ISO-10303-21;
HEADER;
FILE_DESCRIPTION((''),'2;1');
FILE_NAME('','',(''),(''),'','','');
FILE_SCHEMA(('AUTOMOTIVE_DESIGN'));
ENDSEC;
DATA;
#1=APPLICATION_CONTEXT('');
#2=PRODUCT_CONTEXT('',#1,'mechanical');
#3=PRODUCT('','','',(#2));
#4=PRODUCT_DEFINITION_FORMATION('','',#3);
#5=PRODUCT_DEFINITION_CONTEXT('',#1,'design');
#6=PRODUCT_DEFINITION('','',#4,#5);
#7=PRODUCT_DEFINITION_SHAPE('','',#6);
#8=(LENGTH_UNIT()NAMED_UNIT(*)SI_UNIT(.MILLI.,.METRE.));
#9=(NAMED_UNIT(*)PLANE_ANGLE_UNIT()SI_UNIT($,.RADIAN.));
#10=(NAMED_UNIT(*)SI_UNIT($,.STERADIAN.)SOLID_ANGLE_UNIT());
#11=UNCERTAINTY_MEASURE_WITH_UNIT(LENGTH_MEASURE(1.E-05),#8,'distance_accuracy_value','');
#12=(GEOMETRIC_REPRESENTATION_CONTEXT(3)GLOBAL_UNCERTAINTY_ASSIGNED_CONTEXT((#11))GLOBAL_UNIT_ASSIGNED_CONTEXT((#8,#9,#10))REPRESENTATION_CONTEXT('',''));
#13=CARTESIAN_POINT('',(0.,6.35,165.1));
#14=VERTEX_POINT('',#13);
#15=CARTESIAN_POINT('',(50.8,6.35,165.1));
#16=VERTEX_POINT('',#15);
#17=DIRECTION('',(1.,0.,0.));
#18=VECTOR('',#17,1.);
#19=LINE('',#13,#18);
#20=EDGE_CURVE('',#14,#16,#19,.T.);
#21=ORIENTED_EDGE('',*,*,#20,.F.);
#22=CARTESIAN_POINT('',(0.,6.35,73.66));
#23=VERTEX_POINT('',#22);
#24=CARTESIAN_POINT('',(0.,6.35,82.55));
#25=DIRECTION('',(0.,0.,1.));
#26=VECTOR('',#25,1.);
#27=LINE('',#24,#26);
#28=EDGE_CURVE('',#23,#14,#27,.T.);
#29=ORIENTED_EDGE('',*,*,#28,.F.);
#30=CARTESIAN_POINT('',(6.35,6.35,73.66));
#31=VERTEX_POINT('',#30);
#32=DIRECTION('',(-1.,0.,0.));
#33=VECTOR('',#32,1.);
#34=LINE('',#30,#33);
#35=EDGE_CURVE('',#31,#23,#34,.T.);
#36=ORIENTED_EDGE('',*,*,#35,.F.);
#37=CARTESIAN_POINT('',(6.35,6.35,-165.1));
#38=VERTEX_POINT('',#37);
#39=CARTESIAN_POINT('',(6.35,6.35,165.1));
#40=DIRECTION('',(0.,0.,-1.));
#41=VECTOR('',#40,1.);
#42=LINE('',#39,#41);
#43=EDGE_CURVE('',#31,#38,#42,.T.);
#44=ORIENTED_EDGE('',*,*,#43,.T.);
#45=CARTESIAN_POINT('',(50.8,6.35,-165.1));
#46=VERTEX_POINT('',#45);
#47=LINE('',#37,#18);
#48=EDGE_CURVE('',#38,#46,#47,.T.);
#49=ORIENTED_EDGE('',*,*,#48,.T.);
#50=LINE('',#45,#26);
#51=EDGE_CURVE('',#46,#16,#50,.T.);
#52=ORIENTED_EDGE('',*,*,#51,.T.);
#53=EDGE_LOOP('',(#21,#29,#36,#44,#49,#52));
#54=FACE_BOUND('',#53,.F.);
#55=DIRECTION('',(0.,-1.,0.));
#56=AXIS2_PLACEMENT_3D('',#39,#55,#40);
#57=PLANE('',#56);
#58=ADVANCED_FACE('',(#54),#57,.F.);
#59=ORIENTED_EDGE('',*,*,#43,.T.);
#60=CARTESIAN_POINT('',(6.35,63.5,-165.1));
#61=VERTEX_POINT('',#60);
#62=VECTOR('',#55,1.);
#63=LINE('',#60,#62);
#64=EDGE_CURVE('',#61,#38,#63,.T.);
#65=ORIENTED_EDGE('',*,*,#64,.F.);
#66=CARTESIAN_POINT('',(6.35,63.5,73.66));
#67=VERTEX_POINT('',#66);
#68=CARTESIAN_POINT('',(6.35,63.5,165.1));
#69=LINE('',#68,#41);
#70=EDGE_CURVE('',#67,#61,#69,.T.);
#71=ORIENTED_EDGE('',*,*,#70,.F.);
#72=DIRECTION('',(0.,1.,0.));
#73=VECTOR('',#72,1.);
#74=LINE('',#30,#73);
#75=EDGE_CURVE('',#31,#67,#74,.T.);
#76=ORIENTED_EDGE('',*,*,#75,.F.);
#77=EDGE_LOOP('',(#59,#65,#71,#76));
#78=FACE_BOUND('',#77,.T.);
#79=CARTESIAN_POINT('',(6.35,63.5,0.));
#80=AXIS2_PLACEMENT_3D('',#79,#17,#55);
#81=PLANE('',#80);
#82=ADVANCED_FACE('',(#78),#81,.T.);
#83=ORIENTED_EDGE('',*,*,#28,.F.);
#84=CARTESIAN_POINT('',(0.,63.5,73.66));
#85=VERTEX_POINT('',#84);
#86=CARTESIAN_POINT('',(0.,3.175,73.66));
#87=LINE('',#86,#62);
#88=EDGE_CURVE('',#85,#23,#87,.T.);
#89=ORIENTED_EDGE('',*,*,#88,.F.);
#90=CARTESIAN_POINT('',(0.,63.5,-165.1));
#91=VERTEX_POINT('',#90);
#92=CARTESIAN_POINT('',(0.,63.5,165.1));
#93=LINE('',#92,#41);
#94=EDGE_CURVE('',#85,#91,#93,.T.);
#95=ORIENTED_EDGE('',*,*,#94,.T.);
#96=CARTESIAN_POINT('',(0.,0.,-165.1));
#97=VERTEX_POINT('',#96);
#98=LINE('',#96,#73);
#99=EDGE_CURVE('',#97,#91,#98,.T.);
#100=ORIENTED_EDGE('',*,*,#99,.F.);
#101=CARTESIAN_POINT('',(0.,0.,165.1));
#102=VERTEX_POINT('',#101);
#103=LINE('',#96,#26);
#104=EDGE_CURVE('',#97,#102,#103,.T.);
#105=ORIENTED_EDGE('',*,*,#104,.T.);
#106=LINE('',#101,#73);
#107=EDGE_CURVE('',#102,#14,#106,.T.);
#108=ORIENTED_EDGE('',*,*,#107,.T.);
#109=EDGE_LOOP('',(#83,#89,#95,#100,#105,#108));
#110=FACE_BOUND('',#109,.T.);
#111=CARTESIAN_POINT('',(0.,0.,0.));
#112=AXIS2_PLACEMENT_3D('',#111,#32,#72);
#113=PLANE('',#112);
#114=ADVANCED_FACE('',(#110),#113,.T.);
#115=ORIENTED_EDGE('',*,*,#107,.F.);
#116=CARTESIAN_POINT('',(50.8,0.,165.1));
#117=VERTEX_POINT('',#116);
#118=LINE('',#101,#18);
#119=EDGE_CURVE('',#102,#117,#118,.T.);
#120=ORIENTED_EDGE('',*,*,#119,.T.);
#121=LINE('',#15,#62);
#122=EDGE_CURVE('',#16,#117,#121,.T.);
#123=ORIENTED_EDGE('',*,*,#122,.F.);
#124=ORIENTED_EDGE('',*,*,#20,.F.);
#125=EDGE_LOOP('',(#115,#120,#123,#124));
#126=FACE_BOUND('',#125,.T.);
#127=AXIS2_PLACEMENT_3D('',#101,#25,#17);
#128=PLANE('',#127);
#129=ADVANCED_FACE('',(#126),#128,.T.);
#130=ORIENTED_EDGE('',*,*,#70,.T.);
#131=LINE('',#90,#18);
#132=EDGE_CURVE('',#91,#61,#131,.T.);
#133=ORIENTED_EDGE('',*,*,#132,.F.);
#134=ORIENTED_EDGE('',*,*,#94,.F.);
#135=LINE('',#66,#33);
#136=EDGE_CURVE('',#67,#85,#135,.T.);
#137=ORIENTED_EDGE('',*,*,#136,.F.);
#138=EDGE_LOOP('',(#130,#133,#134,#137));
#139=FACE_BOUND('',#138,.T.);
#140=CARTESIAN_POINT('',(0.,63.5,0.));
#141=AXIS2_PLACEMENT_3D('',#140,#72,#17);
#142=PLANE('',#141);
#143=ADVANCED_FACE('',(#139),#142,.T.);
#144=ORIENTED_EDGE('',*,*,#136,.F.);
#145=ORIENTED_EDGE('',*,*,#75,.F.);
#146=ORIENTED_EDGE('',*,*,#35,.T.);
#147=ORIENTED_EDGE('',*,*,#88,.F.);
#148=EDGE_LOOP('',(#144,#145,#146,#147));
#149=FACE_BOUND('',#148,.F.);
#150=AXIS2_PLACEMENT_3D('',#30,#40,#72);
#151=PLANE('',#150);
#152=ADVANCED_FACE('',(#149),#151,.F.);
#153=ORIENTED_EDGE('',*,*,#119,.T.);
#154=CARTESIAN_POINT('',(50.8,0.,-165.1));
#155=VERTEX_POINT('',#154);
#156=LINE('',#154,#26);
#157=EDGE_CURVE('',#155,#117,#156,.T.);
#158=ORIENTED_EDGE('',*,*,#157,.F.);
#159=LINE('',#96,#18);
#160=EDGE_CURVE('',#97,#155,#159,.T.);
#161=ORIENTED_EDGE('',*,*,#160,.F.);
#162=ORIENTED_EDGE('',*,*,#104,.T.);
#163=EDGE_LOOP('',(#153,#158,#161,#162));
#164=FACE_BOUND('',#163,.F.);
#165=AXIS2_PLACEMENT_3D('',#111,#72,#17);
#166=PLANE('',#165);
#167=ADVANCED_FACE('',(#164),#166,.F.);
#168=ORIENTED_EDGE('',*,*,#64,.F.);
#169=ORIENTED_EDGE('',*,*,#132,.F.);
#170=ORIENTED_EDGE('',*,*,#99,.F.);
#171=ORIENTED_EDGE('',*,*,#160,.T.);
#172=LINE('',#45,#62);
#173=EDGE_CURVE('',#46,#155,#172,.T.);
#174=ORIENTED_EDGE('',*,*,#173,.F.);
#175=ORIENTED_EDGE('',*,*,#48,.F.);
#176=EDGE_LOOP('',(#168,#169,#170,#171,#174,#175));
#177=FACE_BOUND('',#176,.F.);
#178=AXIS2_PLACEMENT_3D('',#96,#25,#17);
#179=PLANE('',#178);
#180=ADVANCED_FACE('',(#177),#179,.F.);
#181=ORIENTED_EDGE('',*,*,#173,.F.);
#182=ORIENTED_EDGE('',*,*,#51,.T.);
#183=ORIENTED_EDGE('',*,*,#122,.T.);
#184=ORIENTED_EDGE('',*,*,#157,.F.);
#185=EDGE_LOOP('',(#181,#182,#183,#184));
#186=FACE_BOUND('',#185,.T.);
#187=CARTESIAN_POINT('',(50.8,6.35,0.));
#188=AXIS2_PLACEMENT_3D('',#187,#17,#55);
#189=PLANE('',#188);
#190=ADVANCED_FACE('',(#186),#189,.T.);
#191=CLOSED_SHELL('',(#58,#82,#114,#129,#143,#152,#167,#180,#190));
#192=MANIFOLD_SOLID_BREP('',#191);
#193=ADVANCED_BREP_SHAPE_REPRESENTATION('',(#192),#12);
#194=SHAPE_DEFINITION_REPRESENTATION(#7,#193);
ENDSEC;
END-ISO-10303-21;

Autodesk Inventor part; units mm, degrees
ref_plane "YZ Plane" through (0, 0, 0) normal (1, 0, 0) x (0, 1, 0)
ref_plane "XZ Plane" through (0, 0, 0) normal (0, 1, 0) x (-1, 0, 0)
ref_plane "XY Plane" through (0, 0, 0) normal (0, 0, 1) x (1, 0, 0)
sketch "Sketch1" plane through (0, 0, 0) normal (0, 0, 1) x (1, 0, 0)
  line L0 (0, 0) -> (50.8, 0)
  line L1 (0, 0) -> (0, 63.5)
  line L2 (0, 63.5) -> (6.35, 63.5)
  line L3 (6.35, 63.5) -> (6.35, 6.35)
  line L4 (6.35, 6.35) -> (50.8, 6.35)
  line L5 (50.8, 6.35) -> (50.8, 0)
  dimension "d0" = 50.8
  dimension "d1" = 63.5
  dimension "d2" = 6.35
  dimension "d3" = 6.35
extrude "Extrusion1" add sketch "Sketch1" along normal mid plane 330.2
sketch "Sketch3" plane through (6.35, 6.35, 165.1) normal (1, 0, 0) x (0, 0, -1)
  line L0 (0, 0) -> (0, 57.15) projected
  line L1 (330.2, 57.15) -> (0, 57.15) projected
  line L2 (0, 0) -> (91.44, 0)
  line L3 (91.44, 0) -> (91.44, 57.15)
  line L4 (91.44, 57.15) -> (0, 57.15)
  line L5 (0, 57.15) -> (0, 0)
  point P0 (165.1, -6.35)
  dimension "d6" = 91.44
extrude "Extrusion2" cut sketch "Sketch3" against normal through all
properties part number "base"
